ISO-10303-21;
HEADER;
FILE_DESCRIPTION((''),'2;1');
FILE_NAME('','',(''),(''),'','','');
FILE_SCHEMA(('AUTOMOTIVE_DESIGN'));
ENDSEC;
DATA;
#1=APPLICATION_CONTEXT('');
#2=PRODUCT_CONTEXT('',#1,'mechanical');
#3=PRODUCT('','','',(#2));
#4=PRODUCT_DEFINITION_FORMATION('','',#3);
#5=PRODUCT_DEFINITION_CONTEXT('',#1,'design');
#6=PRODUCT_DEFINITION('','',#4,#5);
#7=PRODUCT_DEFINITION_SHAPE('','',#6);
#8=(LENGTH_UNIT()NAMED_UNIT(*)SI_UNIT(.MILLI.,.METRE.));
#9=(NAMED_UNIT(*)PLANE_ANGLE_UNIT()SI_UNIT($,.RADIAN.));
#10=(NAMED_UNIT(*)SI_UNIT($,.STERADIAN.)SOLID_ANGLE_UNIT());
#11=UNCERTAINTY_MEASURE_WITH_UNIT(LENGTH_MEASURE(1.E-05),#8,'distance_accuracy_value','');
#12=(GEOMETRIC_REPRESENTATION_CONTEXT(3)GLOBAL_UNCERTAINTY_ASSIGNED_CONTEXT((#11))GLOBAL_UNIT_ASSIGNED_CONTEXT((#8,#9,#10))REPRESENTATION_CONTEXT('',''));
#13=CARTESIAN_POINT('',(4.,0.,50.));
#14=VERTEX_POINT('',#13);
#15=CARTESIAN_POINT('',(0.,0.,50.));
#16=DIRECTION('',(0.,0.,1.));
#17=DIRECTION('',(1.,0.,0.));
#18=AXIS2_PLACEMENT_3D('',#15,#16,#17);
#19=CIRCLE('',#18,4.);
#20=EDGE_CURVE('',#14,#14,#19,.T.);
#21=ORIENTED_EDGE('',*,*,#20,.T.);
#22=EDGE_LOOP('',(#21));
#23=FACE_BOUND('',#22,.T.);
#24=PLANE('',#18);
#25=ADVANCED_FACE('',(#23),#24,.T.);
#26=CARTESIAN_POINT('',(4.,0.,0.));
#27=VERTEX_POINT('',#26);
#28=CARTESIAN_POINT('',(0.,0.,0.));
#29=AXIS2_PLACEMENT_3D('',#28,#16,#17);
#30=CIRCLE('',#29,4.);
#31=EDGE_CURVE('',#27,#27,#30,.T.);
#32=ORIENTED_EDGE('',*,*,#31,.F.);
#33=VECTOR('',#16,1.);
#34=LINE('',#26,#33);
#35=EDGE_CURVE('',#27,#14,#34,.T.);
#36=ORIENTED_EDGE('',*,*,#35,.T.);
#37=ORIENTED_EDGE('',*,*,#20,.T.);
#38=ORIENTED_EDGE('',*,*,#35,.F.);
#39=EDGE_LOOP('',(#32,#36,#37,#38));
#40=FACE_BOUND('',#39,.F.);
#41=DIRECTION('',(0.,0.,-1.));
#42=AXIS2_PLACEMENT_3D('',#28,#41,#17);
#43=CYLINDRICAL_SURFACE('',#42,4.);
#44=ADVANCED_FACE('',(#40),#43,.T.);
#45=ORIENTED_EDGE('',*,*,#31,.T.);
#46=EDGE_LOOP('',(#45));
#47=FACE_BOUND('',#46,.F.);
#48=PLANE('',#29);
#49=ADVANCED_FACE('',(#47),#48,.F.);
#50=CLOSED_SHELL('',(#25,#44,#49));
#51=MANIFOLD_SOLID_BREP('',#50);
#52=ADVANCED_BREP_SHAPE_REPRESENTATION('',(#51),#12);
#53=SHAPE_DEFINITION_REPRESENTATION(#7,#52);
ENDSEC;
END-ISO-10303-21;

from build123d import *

# Parameters (mm, degrees)
ESBO_O1_R                = 4
RESSALTO_EXTRUS_O1_DEPTH = 50


with BuildPart() as part:
    # Esboço1 → Ressalto-extrusão1 (new body)
    with BuildSketch(Plane.XY):
        Circle(ESBO_O1_R)
    extrude(amount=RESSALTO_EXTRUS_O1_DEPTH)


solid = part.part
